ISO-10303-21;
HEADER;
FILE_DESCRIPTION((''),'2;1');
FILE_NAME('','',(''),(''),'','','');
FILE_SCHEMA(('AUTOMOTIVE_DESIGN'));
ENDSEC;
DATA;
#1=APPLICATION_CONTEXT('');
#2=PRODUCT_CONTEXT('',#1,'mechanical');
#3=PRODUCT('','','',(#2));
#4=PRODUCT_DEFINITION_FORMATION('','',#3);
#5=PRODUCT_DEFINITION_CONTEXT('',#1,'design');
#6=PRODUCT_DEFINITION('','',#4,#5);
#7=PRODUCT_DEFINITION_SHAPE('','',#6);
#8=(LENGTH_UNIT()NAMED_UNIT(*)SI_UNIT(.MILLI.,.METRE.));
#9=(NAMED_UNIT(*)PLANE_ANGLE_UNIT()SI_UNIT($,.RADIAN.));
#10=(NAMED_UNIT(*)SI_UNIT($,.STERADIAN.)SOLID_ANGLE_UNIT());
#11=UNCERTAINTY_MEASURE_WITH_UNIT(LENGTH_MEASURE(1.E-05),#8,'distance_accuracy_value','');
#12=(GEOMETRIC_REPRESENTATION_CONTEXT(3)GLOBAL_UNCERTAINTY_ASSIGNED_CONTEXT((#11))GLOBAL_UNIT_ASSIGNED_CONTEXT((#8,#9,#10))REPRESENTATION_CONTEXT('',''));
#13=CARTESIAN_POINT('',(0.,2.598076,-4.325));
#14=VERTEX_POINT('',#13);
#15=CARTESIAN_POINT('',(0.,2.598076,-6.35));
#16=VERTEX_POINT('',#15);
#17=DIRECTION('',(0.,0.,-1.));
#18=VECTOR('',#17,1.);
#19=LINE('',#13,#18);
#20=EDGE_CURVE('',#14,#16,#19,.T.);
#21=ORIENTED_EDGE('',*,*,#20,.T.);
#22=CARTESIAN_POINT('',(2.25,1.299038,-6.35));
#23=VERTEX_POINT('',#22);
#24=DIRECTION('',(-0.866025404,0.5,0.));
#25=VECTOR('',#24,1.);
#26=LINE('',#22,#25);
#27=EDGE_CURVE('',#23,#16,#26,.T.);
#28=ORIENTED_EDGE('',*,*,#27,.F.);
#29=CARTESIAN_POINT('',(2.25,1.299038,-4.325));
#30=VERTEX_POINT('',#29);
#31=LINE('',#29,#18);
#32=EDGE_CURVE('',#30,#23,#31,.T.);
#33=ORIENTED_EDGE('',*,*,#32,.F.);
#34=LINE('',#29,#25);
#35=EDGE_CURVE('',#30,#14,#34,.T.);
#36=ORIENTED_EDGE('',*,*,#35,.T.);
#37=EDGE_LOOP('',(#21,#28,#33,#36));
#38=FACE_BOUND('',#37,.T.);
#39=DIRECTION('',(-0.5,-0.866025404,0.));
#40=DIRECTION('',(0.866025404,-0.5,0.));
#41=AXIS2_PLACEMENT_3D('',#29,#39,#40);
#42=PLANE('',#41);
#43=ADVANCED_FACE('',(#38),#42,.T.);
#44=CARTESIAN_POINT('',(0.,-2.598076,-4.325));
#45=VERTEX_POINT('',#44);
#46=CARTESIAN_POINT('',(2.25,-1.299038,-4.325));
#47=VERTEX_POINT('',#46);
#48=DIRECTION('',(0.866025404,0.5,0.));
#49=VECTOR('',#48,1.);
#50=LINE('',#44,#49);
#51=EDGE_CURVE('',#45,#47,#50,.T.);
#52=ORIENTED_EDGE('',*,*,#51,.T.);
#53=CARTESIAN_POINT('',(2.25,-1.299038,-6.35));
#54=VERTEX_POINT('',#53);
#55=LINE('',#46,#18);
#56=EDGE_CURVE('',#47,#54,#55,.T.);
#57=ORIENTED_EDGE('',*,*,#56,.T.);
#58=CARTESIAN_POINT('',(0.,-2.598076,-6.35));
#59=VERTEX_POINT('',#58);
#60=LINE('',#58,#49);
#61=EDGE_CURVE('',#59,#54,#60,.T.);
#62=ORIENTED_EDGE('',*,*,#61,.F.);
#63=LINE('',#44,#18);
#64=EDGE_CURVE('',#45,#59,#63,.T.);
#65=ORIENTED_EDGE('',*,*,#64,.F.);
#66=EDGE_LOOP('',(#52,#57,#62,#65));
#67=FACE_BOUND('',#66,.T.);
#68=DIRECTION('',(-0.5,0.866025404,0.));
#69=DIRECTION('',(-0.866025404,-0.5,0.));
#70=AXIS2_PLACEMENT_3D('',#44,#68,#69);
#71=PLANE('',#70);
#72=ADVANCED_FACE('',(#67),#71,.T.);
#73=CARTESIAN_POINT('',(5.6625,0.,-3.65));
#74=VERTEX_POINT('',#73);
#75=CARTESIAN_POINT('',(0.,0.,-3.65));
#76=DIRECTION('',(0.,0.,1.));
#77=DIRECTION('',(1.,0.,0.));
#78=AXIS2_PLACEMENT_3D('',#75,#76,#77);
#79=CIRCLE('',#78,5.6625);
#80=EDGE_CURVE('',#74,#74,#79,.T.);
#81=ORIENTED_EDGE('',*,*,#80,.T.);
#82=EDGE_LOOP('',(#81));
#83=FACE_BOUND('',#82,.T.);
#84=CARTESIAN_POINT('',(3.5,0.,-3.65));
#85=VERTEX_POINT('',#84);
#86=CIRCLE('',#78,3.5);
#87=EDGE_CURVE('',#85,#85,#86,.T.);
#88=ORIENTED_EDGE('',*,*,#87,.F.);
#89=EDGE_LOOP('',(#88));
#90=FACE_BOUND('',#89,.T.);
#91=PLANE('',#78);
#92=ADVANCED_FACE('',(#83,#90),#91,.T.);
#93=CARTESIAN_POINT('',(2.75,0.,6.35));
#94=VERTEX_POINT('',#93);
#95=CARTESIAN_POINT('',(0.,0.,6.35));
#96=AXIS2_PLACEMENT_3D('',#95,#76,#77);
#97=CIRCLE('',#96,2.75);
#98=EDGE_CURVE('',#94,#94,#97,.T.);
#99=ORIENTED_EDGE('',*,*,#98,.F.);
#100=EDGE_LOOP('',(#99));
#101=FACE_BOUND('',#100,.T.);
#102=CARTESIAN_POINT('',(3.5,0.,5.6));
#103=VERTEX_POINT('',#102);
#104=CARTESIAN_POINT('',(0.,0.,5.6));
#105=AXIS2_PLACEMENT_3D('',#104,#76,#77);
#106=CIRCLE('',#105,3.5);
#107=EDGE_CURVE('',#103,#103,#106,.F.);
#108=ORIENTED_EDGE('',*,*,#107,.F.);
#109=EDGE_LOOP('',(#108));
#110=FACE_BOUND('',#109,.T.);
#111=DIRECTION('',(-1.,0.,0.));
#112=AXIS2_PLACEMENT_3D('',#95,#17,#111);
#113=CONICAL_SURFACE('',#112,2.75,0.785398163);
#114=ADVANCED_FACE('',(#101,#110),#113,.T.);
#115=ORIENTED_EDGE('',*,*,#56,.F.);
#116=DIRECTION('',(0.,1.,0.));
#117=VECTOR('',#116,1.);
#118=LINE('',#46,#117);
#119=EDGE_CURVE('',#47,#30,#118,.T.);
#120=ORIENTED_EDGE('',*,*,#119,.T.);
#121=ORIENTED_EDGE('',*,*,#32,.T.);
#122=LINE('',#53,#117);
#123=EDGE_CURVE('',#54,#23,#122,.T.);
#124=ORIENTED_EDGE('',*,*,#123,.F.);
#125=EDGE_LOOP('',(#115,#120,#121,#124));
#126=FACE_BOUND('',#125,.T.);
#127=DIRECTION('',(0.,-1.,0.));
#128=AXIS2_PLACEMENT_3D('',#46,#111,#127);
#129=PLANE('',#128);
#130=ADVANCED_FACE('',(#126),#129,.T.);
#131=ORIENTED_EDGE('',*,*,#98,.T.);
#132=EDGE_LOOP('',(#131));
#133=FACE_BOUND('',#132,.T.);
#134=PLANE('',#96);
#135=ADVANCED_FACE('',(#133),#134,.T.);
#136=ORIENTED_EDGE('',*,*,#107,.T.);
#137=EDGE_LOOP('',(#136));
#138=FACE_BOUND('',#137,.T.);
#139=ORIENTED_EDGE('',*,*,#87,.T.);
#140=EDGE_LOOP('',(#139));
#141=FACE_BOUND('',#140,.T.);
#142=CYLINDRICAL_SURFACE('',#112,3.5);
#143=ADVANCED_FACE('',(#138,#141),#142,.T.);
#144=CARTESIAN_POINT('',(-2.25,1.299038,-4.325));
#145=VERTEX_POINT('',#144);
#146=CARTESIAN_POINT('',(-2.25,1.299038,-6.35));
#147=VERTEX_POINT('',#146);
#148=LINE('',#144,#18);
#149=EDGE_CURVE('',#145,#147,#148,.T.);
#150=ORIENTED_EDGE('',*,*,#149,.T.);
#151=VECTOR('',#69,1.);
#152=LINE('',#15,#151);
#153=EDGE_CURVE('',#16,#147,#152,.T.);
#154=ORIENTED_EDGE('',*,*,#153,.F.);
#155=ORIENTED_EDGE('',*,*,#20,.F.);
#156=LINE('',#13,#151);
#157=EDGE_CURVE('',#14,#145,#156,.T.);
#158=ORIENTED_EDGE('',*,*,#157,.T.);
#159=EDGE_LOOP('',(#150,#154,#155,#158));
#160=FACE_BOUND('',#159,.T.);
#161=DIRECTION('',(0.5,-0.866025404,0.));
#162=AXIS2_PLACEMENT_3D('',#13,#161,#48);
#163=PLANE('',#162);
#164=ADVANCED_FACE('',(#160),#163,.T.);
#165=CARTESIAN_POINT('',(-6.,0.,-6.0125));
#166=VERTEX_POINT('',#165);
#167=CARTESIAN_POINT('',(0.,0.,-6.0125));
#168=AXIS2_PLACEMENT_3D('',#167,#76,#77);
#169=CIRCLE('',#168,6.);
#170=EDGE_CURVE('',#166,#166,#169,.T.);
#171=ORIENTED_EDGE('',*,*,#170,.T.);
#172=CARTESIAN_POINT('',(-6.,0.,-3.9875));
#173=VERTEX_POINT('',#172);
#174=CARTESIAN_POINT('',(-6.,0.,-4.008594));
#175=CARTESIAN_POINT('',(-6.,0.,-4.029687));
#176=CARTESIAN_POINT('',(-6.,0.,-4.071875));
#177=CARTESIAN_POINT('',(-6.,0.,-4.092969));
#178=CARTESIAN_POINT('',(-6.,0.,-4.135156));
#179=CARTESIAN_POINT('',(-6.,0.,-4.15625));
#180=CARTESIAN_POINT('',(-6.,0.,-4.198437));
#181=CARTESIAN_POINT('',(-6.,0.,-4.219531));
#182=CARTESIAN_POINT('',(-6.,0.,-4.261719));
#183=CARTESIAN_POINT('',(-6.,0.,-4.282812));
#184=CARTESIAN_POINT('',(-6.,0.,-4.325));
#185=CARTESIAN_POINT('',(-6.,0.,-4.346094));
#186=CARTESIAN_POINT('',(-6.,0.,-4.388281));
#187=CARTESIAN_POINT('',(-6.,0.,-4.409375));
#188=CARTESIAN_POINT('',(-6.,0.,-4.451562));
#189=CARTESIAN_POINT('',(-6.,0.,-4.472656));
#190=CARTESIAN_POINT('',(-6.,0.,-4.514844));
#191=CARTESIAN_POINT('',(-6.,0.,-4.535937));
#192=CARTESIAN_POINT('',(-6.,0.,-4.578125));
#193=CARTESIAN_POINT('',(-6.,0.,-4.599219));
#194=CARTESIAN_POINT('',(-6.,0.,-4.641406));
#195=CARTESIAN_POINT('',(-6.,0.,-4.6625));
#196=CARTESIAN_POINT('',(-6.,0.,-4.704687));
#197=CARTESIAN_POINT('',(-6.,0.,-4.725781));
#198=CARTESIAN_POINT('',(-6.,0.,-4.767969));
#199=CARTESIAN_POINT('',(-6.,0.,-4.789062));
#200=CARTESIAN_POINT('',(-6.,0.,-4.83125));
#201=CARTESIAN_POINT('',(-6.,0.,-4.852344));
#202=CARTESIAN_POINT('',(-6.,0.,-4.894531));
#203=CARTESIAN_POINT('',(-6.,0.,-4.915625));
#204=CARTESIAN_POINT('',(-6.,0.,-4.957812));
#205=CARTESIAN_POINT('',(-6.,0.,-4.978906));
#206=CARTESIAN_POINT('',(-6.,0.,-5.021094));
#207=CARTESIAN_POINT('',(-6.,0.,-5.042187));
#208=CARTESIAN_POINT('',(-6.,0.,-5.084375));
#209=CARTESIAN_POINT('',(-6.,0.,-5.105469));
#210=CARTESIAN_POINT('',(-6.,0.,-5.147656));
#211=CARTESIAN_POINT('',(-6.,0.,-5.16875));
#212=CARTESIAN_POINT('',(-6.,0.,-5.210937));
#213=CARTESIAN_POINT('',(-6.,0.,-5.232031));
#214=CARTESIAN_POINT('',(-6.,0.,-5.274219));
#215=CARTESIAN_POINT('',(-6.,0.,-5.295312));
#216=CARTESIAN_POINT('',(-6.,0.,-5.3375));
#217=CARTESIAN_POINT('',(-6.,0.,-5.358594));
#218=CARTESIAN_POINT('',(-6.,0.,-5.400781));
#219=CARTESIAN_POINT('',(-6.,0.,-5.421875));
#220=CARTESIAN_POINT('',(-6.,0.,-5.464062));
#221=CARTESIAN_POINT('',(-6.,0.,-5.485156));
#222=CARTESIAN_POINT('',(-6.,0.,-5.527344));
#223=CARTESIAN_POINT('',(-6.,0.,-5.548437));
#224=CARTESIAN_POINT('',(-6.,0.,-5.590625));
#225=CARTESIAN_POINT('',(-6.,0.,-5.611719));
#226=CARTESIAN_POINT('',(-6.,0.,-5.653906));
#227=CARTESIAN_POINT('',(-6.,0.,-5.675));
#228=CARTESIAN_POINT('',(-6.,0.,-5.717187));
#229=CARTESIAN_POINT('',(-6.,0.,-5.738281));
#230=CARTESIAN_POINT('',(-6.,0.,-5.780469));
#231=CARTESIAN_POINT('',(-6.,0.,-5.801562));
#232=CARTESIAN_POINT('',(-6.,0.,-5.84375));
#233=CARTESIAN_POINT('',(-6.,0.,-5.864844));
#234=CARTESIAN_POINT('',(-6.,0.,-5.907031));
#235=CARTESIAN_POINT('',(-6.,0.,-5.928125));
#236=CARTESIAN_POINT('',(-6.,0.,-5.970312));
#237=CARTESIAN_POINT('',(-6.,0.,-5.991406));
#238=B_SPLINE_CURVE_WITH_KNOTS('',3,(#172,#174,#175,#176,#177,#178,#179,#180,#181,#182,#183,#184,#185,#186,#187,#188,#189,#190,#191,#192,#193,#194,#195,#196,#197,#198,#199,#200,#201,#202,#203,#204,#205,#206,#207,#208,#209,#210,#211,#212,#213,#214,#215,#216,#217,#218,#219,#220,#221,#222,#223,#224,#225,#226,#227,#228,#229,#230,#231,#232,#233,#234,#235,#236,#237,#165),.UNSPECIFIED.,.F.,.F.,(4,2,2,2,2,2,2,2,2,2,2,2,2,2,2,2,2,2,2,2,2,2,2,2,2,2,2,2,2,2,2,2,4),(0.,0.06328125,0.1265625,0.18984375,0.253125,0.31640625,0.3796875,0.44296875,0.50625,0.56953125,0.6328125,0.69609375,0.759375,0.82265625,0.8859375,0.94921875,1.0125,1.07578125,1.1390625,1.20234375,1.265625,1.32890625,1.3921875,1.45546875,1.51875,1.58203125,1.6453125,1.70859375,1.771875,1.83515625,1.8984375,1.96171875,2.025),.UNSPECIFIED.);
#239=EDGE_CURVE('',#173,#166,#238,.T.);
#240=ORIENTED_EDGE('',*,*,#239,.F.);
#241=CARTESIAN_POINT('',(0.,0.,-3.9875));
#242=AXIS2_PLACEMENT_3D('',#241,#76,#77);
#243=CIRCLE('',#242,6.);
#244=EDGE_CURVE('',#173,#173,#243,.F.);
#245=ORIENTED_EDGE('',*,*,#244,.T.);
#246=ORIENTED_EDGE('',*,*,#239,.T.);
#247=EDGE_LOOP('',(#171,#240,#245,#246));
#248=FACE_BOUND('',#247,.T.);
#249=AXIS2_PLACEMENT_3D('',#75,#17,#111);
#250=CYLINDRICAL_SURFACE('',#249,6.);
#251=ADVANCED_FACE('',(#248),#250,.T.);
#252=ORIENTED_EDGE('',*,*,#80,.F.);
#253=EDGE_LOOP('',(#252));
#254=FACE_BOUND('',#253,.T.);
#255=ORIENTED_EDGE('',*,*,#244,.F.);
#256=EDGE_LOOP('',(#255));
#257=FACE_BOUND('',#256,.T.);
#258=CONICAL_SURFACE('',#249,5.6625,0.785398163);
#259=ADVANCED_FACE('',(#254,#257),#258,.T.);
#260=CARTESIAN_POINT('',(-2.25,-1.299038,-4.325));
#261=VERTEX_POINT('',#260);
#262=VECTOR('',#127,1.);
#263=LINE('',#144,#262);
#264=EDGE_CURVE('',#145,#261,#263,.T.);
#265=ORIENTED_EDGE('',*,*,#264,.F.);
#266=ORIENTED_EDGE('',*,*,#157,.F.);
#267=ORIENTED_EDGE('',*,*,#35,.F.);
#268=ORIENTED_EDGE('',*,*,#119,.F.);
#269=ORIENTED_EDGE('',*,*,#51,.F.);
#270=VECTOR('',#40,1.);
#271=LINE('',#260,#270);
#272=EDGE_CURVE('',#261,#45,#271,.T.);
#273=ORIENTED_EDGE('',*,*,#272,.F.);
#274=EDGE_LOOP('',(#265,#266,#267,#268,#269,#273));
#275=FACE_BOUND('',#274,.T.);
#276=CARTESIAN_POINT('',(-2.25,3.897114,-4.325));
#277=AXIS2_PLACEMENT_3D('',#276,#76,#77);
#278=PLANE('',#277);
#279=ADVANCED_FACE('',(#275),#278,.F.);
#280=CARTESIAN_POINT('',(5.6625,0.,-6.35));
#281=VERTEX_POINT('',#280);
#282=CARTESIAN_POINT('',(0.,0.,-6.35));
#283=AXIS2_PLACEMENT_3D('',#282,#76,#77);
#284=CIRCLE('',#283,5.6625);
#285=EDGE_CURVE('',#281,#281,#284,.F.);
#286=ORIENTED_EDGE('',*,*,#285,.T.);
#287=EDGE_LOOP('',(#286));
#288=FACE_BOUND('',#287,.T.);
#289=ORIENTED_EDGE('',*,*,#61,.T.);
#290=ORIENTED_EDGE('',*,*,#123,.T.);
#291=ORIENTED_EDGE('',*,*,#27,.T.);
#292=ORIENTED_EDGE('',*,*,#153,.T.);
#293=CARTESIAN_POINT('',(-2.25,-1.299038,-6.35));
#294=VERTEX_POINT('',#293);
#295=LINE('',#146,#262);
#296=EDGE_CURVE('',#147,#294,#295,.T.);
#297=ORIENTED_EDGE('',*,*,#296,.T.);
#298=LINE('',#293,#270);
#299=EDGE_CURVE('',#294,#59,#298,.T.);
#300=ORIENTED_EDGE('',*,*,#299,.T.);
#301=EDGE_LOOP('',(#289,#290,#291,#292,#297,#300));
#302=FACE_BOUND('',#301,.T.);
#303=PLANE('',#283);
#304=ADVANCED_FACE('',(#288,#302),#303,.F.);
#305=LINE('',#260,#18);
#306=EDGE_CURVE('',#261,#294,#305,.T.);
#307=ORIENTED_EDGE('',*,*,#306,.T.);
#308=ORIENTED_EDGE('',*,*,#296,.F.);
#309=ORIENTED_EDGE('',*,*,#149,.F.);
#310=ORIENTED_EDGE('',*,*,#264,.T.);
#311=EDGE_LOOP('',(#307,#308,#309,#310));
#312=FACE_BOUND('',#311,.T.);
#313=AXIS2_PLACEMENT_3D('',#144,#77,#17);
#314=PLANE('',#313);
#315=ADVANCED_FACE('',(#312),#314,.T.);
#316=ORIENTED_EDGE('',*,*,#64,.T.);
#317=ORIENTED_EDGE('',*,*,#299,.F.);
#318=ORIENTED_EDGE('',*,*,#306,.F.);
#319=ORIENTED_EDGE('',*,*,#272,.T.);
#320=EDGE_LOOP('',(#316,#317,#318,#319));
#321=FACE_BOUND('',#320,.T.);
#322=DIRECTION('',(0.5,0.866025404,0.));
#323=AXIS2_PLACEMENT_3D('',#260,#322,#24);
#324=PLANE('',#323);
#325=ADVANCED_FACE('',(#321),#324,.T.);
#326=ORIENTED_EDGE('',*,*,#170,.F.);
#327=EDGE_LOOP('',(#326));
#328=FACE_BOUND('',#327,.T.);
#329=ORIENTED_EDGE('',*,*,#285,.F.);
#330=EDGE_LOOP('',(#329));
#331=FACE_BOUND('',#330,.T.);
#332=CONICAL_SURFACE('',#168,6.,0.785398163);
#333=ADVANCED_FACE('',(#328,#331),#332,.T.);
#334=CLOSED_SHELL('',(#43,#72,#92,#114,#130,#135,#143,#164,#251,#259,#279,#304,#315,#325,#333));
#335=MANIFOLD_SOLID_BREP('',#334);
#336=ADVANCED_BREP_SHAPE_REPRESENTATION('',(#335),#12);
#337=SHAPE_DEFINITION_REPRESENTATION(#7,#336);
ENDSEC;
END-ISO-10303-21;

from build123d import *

# Parameters (mm, degrees)
EXTRUDE1_START     = -3.65
SKETCH1_R          = 3.5
EXTRUDE1_DEPTH     = 10
EXTRUDE2_START     = -6.35
SKETCH6_R          = 6
EXTRUDE2_DEPTH     = 2.7
CUT_EXTRUDE1_DEPTH = 2.025
CHAMFER1_SIZE      = 0.3375
CHAMFER2_SIZE      = 0.75


with BuildPart() as part:
    # Sketch1 → Extrude1 (new body)
    with BuildSketch(Plane.XY.offset(EXTRUDE1_START)):
        Circle(SKETCH1_R)
    extrude(amount=EXTRUDE1_DEPTH)

    # Sketch6 → Extrude2 (add)
    with BuildSketch(Plane.XY.offset(EXTRUDE2_START)):
        with Locations(Location((0, 0, 0), (0, 0, 180))):
            Circle(SKETCH6_R)
    extrude(amount=EXTRUDE2_DEPTH)

    # Sketch7 → Cut-Extrude1 (cut)
    with BuildSketch(Plane.XY.offset(-6.35)):
        Polygon((0, 2.598076211), (-2.25, 1.299038106), (-2.25, -1.299038106), (0, -2.598076211), (2.25, -1.299038106), (2.25, 1.299038106), align=None)
    extrude(amount=CUT_EXTRUDE1_DEPTH, mode=Mode.SUBTRACT)

    # Chamfer1
    chamfer1_edges = [part.edges().sort_by_distance(p)[0] for p in [
        (6, 0, -3.65),
        (6, 0, -6.35),
    ]]
    chamfer(chamfer1_edges, length=CHAMFER1_SIZE)

    # Chamfer2
    chamfer2_edges = [part.edges().sort_by_distance(p)[0] for p in [
        (-3.5, 0, 6.35),
    ]]
    chamfer(chamfer2_edges, length=CHAMFER2_SIZE)


solid = part.part
